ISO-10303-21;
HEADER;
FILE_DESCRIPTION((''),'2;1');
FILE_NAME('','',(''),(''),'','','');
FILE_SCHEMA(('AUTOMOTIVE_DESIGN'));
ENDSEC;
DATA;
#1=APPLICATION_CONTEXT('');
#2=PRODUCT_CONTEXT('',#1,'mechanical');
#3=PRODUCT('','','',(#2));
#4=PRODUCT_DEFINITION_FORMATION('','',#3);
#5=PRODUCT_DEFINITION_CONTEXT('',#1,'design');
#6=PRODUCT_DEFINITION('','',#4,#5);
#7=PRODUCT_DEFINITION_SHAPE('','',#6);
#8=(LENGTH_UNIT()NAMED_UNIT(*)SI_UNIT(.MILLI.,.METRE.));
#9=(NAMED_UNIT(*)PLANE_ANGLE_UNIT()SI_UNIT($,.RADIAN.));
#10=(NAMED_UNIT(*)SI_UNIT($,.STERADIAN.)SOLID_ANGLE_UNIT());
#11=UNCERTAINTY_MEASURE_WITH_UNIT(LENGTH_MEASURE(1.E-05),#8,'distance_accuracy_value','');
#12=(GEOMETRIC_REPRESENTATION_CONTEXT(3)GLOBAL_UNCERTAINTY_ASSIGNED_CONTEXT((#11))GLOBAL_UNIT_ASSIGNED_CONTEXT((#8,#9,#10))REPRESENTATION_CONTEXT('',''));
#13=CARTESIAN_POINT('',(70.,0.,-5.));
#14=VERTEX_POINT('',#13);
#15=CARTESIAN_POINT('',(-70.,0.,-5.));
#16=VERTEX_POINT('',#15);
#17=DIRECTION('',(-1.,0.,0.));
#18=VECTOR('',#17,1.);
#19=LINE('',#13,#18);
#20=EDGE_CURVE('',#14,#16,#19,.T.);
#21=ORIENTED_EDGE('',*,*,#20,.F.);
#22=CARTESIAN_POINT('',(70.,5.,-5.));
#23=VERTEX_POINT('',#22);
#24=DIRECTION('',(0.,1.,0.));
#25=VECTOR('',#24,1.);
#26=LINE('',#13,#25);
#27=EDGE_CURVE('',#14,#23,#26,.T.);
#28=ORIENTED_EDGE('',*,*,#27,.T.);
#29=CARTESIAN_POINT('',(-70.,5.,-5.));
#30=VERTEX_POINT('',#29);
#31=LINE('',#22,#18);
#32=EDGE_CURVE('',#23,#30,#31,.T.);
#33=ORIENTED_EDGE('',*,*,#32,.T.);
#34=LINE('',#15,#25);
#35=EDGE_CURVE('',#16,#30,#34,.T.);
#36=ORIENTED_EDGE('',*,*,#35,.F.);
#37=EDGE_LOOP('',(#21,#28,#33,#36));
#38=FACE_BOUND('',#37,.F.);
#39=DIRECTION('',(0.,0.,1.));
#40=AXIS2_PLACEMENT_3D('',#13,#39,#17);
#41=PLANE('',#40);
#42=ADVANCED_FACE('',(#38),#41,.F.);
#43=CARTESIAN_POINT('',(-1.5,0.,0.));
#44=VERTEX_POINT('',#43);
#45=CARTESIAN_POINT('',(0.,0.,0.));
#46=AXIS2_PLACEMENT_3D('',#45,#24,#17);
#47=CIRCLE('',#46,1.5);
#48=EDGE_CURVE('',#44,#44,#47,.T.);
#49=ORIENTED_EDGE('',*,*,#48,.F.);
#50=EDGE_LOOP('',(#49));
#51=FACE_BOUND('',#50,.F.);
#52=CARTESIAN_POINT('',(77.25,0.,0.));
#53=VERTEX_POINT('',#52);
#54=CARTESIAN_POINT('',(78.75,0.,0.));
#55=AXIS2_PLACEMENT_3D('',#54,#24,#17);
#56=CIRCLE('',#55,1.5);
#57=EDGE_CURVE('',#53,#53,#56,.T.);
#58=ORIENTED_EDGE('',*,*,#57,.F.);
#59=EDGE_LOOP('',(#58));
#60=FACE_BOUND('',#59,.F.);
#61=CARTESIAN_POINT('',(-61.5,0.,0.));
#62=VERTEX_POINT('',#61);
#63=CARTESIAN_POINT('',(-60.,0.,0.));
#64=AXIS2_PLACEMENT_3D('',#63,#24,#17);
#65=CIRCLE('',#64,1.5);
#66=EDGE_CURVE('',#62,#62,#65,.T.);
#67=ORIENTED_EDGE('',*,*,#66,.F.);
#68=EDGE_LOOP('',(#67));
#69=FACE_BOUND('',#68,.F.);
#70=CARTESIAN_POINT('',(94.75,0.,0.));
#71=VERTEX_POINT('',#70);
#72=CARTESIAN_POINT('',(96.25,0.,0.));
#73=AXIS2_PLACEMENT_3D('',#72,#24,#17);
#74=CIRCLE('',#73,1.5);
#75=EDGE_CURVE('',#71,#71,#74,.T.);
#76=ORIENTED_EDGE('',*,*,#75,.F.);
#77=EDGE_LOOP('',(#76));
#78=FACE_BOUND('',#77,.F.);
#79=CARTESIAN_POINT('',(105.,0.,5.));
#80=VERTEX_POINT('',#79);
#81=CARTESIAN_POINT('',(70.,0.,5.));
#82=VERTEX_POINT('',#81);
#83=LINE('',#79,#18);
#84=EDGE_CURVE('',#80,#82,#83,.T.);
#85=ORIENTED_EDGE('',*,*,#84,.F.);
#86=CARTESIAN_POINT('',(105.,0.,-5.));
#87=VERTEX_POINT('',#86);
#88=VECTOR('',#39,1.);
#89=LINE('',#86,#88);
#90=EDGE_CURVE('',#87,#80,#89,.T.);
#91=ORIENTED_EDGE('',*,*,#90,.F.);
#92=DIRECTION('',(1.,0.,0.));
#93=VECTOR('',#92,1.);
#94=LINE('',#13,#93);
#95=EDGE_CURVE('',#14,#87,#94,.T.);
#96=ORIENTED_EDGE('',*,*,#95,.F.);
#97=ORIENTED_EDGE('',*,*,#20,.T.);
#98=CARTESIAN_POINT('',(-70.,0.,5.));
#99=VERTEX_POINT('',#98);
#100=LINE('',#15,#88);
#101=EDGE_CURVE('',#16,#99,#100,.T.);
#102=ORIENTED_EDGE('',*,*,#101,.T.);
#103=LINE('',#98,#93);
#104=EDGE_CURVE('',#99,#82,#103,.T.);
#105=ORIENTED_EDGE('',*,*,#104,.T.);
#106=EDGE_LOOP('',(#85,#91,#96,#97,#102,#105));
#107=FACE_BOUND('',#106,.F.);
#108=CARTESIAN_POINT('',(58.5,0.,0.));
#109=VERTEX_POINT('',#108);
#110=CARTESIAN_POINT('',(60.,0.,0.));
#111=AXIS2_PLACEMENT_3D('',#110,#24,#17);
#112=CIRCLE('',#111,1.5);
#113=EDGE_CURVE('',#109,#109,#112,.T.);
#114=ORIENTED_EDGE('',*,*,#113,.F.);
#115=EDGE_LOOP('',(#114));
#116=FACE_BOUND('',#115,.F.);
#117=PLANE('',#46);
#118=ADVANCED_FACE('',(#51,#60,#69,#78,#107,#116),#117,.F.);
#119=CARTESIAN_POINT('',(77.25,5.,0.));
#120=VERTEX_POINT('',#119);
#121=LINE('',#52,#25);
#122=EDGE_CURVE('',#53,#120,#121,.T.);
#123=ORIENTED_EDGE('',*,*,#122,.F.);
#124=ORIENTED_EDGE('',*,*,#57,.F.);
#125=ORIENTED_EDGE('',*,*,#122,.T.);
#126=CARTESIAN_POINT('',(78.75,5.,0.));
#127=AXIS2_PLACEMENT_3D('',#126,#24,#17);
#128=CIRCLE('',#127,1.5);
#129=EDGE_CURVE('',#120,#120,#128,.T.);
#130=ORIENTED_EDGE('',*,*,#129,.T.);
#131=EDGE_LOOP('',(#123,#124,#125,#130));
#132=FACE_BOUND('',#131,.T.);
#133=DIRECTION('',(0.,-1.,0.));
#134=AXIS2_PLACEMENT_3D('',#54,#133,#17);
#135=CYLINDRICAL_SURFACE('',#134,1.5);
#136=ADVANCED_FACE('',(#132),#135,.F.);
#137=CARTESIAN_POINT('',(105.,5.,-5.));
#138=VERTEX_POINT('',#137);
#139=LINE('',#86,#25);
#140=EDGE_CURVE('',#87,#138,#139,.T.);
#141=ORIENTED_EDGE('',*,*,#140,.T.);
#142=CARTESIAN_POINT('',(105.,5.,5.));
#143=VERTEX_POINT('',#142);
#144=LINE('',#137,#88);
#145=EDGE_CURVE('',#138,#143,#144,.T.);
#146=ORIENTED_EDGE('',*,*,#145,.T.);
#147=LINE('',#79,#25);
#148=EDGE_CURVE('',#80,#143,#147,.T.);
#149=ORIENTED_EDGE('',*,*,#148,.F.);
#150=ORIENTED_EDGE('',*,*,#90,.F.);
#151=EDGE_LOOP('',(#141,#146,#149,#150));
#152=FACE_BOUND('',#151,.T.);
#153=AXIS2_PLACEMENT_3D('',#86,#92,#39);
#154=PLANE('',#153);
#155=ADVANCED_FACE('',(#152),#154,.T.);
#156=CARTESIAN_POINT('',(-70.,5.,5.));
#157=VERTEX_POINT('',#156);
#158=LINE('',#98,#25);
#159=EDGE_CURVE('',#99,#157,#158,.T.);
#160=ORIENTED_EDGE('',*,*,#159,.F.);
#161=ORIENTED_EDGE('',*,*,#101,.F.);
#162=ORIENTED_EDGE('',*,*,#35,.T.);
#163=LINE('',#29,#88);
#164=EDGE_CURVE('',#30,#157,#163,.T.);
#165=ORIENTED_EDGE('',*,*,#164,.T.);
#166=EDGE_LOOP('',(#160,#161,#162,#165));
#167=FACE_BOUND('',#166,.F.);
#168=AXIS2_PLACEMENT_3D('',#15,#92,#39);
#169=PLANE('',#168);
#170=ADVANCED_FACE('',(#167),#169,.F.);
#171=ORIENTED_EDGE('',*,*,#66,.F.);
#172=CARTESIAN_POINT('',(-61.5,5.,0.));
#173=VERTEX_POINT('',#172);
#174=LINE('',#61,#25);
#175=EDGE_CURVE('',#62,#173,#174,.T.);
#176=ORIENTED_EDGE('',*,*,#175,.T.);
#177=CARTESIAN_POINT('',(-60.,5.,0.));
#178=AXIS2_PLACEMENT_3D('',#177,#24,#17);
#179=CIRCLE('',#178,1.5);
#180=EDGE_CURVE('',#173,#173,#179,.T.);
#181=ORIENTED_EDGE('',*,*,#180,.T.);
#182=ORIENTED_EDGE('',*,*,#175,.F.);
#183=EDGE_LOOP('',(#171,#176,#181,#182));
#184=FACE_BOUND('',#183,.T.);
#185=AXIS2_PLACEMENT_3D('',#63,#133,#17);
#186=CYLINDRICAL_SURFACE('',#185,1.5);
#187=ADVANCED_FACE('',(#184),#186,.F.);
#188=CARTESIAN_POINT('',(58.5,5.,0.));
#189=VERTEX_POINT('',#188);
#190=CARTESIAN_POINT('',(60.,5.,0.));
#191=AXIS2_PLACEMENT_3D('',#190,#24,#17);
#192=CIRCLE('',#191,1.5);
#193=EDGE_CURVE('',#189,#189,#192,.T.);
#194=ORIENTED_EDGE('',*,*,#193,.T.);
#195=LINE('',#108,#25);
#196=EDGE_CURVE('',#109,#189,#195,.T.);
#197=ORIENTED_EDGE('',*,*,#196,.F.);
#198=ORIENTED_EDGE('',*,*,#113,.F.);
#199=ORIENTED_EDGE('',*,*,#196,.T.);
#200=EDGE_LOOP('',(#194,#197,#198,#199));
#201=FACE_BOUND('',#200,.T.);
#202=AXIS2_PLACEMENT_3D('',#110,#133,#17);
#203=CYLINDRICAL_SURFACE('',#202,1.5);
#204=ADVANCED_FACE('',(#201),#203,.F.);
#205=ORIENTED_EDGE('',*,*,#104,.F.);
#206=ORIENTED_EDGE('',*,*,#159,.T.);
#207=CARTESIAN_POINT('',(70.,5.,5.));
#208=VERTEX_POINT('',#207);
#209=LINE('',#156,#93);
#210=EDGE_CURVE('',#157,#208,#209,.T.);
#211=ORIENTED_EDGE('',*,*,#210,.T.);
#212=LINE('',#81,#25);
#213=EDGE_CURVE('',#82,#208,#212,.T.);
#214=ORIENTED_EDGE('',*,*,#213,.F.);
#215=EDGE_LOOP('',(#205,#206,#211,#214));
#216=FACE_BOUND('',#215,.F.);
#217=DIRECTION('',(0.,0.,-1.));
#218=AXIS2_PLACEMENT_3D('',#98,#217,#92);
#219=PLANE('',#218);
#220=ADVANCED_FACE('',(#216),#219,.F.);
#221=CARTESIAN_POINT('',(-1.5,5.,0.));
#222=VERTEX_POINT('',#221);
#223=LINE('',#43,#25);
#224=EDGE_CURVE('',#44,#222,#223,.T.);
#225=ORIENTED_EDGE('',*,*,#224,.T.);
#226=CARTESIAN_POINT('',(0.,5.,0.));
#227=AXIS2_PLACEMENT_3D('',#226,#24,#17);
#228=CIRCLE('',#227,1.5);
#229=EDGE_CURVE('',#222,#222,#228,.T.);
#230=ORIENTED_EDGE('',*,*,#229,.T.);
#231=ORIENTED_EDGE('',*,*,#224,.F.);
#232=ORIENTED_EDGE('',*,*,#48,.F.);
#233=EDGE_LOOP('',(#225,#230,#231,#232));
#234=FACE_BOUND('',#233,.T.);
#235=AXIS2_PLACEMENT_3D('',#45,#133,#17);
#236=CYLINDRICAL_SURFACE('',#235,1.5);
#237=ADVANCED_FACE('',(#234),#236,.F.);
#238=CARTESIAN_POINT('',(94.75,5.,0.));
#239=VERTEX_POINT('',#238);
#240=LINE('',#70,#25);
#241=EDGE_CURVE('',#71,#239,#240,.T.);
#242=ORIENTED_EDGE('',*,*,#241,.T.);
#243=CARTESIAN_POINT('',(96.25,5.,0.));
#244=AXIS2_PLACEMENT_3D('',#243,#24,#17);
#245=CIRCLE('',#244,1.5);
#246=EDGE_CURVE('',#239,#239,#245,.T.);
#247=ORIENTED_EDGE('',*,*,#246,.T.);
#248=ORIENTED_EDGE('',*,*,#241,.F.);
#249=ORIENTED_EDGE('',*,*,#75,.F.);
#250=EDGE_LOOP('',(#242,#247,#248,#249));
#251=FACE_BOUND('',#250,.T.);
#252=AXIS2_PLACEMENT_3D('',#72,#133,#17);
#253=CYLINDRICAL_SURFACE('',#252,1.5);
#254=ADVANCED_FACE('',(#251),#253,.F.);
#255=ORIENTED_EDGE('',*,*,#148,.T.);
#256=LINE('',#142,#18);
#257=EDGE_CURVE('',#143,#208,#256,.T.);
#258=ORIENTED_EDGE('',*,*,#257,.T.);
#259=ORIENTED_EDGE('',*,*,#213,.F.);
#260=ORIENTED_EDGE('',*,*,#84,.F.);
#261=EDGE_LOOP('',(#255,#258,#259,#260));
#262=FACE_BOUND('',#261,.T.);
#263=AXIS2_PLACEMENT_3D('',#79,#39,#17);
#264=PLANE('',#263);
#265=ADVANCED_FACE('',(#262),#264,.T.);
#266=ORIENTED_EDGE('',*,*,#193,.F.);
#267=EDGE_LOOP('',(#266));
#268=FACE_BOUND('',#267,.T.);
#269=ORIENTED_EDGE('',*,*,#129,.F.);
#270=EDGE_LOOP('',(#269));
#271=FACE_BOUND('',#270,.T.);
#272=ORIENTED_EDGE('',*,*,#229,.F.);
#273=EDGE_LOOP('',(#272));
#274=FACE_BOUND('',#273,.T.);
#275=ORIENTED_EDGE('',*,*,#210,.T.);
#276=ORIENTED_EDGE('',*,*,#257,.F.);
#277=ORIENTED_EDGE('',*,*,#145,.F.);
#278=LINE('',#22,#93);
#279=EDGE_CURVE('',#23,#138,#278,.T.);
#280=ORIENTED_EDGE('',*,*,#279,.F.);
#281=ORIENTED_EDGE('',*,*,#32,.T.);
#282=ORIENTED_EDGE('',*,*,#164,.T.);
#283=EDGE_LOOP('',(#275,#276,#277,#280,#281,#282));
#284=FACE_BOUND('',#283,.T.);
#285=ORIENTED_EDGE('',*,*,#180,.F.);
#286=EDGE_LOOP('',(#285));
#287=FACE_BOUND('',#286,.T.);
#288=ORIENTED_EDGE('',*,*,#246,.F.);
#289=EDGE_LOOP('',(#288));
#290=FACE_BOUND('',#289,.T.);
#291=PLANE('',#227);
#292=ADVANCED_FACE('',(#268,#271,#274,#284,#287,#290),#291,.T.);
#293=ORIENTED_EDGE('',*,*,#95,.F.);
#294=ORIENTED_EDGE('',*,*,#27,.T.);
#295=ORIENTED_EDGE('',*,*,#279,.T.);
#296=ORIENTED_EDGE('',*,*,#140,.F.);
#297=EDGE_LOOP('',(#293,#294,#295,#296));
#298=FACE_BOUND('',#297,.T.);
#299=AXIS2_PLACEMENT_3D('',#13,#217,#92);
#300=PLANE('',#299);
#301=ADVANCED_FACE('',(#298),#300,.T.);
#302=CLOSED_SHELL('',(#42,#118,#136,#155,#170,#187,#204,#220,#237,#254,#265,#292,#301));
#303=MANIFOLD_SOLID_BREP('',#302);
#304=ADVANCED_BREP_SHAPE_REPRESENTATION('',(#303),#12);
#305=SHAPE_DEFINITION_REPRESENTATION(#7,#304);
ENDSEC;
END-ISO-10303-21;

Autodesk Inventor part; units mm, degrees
ref_plane "YZ Plane" through (0, 0, 0) normal (1, 0, 0) x (0, 1, 0)
ref_plane "XZ Plane" through (0, 0, 0) normal (0, 1, 0) x (-1, 0, 0)
ref_plane "XY Plane" through (0, 0, 0) normal (0, 0, 1) x (1, 0, 0)
sketch "Sketch1" plane through (0, 0, 0) normal (0, 1, 0) x (-1, 0, 0)
  line L0 (70, 5) -> (-70, 5)
  line L1 (-70, -5) -> (70, -5)
  line L2 (70, -5) -> (70, 5)
  line L3 (-70, -5) -> (-105, -5)
  line L4 (-105, -5) -> (-105, 5)
  line L5 (-105, 5) -> (-70, 5)
  circle A0 centre (-78.75, 0) radius 1.5
  circle A1 centre (-96.25, 0) radius 1.5
  circle A2 centre (0, 0) radius 1.5
  circle A3 centre (60, 0) radius 1.5
  circle A4 centre (-60, 0) radius 1.5
extrude "Extrusion1" add sketch "Sketch1" along normal blind 5
properties part number "batang_horn_normal"
